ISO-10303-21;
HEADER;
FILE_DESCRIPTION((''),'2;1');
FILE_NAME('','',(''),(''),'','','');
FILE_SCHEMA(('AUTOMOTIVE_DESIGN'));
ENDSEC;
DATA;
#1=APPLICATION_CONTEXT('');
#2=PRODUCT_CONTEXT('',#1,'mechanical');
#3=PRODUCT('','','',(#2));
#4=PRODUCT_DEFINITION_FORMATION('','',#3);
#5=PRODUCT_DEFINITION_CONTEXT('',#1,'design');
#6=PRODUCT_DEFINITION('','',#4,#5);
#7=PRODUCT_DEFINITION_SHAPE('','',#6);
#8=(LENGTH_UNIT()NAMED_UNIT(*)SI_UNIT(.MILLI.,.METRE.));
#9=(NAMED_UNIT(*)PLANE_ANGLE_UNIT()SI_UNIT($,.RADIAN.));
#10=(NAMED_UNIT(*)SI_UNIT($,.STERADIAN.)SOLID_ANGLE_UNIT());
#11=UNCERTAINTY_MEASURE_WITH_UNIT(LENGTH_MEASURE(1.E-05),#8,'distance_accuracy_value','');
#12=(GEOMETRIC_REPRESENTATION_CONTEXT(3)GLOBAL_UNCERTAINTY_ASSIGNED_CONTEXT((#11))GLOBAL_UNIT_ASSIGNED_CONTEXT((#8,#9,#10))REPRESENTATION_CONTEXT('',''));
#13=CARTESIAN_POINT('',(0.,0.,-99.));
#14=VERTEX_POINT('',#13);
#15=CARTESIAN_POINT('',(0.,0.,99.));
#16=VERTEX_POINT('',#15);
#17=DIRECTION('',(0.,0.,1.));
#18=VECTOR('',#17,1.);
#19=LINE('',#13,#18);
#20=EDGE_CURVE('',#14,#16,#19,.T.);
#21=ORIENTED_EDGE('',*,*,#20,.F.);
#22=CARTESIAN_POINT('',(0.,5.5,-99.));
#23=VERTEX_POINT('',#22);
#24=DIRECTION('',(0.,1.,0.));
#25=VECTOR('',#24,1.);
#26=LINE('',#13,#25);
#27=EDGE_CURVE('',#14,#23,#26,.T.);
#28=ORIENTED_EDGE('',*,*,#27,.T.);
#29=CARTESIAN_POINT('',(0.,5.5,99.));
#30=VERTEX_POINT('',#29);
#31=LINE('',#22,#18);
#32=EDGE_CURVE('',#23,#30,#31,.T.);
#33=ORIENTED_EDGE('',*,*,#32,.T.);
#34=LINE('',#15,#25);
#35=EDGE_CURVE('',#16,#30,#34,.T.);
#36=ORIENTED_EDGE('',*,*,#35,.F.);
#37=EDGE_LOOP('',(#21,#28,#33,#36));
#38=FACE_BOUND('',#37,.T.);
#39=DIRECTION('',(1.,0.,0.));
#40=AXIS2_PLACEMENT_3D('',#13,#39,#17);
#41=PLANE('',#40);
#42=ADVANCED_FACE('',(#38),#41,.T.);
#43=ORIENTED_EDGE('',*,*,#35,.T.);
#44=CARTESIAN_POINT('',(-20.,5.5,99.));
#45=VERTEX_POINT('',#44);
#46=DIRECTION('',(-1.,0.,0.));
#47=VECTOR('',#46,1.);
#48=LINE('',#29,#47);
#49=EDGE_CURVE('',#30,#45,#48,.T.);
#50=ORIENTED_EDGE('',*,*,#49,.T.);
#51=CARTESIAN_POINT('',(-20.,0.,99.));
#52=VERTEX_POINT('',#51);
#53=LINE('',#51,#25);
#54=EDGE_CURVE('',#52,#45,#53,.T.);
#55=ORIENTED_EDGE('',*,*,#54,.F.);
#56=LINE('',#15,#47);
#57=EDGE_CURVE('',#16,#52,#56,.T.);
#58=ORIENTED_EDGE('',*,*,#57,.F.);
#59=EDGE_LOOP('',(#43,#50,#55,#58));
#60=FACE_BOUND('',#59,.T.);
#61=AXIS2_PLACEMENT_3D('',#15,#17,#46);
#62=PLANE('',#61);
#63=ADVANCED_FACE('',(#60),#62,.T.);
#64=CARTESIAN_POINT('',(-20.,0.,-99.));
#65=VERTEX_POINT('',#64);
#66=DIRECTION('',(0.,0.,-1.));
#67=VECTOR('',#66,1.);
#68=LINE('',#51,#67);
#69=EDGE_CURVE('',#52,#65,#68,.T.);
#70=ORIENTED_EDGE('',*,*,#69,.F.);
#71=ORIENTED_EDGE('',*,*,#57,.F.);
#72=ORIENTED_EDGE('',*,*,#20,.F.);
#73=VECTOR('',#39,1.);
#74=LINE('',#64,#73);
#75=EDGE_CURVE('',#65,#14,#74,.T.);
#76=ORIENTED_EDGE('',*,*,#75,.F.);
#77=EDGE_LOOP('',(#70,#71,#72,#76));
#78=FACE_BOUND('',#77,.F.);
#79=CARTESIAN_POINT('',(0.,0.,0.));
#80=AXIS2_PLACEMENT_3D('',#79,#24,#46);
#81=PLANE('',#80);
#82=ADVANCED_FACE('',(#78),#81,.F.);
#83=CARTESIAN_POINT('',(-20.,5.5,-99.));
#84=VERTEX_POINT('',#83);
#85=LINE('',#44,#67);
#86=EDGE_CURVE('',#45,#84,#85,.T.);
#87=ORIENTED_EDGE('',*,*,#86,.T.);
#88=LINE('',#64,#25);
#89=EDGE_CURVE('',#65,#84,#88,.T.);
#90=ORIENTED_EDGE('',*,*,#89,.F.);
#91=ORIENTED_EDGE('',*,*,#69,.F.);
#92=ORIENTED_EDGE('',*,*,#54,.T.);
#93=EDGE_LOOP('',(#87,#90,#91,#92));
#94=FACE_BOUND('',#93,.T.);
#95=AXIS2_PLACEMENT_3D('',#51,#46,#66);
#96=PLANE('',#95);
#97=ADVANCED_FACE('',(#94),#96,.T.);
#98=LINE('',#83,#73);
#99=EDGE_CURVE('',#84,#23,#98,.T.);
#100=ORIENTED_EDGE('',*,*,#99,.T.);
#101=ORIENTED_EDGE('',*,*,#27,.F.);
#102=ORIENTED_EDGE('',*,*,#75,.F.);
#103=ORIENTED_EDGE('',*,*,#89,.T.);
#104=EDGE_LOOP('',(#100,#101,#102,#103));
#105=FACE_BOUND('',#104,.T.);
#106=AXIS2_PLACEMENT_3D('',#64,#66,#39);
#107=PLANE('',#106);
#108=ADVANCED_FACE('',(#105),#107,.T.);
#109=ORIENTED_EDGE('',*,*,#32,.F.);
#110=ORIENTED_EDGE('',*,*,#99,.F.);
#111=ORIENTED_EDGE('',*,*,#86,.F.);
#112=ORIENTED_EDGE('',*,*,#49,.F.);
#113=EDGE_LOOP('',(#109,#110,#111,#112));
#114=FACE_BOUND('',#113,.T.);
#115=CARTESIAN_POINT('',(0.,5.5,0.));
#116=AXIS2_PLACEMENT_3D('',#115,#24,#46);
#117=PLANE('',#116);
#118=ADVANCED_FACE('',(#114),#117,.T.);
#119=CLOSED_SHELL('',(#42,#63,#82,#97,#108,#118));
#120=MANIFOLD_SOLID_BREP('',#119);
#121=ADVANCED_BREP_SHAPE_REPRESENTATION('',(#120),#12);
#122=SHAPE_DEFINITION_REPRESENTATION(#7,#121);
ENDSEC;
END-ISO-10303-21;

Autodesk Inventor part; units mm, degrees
ref_plane "YZ Plane" through (0, 0, 0) normal (1, 0, 0) x (0, 1, 0)
ref_plane "XZ Plane" through (0, 0, 0) normal (0, 1, 0) x (-1, 0, 0)
ref_plane "XY Plane" through (0, 0, 0) normal (0, 0, 1) x (1, 0, 0)
sketch "スケッチ1" plane through (0, 0, 0) normal (0, 1, 0) x (-1, 0, 0)
  line L0 (0, 99) -> (20, 99)
  line L1 (20, 99) -> (20, -99)
  line L2 (20, -99) -> (0, -99)
  line L3 (0, -99) -> (0, 99)
  point P0 (0, 0)
  point P1 (0, 0)
  dimension "d0" = 198
  dimension "d1" = 20
extrude "押し出し1" add sketch "スケッチ1" along normal blind 5.5
properties part number "front_under" material "木材 (カエデ材)"
